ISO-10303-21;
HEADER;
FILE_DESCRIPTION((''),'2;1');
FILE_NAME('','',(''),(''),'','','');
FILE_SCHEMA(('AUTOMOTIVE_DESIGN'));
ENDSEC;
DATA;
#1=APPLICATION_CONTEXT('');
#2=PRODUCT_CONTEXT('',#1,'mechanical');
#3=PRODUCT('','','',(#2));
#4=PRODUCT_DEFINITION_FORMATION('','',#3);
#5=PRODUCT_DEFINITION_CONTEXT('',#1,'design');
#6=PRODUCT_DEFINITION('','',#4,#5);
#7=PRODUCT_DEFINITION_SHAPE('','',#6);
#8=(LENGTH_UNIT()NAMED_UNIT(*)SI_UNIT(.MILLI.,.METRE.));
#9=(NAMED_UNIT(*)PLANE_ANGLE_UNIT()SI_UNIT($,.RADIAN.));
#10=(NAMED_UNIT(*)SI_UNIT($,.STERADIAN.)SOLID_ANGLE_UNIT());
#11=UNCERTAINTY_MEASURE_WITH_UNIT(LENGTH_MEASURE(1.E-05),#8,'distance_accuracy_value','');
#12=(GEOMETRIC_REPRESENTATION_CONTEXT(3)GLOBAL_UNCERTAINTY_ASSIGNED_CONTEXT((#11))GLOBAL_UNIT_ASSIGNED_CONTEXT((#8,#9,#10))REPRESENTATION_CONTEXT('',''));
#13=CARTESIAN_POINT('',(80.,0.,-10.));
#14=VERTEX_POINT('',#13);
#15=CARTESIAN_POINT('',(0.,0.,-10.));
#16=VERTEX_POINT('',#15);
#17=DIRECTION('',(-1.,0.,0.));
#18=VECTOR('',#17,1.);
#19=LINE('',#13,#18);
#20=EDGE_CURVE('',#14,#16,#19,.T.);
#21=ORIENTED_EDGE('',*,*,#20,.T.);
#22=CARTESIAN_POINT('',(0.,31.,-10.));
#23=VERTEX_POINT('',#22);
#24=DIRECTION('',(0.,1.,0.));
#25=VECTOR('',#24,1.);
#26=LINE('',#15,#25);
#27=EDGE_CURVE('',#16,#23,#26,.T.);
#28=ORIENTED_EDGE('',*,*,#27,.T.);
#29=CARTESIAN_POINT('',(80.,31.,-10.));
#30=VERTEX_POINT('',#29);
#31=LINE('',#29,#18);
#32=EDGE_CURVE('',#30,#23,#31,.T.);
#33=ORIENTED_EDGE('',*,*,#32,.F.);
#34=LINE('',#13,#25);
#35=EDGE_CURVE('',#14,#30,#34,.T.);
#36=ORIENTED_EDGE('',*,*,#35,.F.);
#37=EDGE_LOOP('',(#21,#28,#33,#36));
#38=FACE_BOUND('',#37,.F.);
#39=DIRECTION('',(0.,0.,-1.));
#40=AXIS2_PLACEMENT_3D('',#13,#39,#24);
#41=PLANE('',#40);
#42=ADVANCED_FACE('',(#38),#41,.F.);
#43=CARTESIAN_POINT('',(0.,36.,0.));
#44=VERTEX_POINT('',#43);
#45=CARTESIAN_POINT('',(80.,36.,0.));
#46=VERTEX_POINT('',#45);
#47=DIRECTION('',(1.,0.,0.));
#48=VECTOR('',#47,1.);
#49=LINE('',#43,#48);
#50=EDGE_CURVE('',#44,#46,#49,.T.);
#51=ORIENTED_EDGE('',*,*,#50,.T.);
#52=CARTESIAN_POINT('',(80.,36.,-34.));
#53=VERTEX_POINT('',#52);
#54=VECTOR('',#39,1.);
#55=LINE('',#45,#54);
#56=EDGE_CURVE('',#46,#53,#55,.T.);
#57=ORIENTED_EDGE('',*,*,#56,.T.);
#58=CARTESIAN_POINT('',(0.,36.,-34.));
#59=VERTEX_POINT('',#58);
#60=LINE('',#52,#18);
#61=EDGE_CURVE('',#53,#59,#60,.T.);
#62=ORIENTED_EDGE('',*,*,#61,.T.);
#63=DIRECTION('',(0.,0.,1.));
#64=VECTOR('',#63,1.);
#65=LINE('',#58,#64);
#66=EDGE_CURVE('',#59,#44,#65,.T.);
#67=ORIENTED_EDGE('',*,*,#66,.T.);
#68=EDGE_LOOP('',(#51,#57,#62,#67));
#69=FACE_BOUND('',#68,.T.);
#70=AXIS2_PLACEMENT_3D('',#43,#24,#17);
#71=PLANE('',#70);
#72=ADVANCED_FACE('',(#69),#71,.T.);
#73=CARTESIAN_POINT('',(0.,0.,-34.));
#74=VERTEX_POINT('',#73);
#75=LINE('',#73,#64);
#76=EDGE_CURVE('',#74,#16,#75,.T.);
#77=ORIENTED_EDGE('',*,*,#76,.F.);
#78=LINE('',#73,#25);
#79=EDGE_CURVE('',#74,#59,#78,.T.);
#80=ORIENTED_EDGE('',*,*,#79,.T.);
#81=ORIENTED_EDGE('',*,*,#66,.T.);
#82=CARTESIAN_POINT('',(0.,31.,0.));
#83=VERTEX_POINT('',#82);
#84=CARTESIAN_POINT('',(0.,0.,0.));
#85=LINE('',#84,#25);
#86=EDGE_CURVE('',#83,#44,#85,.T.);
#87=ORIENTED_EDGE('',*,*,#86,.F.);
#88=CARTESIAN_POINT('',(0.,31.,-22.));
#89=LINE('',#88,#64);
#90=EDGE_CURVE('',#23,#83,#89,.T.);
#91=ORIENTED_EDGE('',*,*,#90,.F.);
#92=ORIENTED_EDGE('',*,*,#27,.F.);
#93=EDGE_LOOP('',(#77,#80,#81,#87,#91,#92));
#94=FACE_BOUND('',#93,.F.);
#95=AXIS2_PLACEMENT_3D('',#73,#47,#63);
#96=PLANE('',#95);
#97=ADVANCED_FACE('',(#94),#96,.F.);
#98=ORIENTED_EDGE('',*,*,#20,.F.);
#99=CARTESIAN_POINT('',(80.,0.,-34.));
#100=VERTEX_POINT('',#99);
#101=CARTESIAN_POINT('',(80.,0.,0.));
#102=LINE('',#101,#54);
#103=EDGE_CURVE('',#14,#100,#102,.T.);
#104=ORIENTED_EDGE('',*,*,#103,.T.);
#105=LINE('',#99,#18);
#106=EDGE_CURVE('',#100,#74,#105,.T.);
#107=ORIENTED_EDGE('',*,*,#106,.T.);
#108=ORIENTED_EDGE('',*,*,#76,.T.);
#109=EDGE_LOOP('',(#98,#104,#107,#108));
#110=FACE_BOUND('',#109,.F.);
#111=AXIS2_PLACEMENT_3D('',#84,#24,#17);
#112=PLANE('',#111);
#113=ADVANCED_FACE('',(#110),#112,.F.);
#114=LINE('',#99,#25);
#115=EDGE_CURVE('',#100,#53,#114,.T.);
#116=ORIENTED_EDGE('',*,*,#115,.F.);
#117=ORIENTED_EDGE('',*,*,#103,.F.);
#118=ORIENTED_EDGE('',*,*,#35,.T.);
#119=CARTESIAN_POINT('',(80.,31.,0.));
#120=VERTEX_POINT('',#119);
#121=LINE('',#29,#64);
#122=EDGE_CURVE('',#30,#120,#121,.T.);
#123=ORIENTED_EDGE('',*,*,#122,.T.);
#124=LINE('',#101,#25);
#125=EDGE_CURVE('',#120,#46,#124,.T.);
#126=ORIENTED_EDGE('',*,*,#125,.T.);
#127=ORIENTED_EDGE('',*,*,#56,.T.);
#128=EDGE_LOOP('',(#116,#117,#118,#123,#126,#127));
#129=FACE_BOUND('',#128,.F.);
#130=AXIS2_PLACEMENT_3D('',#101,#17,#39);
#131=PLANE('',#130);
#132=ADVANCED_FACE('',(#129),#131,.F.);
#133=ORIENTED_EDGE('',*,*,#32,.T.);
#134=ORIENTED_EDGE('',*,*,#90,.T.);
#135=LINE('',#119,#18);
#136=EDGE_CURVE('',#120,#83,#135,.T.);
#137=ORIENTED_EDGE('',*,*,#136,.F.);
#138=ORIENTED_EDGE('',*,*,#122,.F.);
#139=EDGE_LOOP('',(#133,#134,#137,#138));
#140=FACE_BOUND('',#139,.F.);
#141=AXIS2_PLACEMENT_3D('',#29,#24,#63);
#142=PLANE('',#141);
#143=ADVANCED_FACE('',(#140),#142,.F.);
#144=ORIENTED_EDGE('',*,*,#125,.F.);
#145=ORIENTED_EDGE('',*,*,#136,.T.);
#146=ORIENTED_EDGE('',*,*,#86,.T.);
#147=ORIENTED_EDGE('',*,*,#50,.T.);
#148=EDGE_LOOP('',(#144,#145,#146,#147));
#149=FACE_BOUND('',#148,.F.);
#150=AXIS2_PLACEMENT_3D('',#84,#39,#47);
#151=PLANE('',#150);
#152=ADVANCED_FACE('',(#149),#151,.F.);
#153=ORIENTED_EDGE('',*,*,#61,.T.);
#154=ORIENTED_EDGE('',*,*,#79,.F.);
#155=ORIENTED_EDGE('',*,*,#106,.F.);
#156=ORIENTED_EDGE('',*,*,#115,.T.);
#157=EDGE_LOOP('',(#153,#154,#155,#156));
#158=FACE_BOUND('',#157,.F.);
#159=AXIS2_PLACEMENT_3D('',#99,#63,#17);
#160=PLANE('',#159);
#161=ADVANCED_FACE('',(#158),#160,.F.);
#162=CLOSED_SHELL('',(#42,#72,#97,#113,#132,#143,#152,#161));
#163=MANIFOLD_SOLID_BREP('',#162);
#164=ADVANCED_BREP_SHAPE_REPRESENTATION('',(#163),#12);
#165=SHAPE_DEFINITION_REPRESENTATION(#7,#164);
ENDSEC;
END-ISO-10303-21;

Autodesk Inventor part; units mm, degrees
ref_plane "YZ Plane" through (0, 0, 0) normal (1, 0, 0) x (0, 1, 0)
ref_plane "XZ Plane" through (0, 0, 0) normal (0, 1, 0) x (-1, 0, 0)
ref_plane "XY Plane" through (0, 0, 0) normal (0, 0, 1) x (1, 0, 0)
sketch "Sketch1" plane through (0, 0, 0) normal (0, 1, 0) x (-1, 0, 0)
  line L0 (0, 0) -> (-80, 0)
  line L1 (-80, 0) -> (-80, -34)
  line L2 (-80, -34) -> (0, -34)
  line L3 (0, -34) -> (0, 0)
  dimension "d0" = 80
  dimension "d1" = 34
extrude "Extrusion1" add sketch "Sketch1" along normal blind 36
sketch "Sketch2" plane through (80, 0, 0) normal (1, 0, 0) x (0, 0, -1)
  line L0 (0, 0) -> (34, 0) projected
  line L1 (34, 0) -> (34, 36) projected
  line L2 (0, 36) -> (34, 36) projected
  line L3 (0, 0) -> (0, 36) projected
  line L4 (0, 0) -> (10, 0)
  line L5 (10, 0) -> (10, 31)
  line L6 (10, 31) -> (0, 31)
  line L7 (0, 31) -> (0, 0)
  dimension "d4" = 5
  dimension "d5" = 24
extrude "Extrusion2" cut sketch "Sketch2" against normal through all contours L3 L6 L5 L0
properties part number "cushion"
